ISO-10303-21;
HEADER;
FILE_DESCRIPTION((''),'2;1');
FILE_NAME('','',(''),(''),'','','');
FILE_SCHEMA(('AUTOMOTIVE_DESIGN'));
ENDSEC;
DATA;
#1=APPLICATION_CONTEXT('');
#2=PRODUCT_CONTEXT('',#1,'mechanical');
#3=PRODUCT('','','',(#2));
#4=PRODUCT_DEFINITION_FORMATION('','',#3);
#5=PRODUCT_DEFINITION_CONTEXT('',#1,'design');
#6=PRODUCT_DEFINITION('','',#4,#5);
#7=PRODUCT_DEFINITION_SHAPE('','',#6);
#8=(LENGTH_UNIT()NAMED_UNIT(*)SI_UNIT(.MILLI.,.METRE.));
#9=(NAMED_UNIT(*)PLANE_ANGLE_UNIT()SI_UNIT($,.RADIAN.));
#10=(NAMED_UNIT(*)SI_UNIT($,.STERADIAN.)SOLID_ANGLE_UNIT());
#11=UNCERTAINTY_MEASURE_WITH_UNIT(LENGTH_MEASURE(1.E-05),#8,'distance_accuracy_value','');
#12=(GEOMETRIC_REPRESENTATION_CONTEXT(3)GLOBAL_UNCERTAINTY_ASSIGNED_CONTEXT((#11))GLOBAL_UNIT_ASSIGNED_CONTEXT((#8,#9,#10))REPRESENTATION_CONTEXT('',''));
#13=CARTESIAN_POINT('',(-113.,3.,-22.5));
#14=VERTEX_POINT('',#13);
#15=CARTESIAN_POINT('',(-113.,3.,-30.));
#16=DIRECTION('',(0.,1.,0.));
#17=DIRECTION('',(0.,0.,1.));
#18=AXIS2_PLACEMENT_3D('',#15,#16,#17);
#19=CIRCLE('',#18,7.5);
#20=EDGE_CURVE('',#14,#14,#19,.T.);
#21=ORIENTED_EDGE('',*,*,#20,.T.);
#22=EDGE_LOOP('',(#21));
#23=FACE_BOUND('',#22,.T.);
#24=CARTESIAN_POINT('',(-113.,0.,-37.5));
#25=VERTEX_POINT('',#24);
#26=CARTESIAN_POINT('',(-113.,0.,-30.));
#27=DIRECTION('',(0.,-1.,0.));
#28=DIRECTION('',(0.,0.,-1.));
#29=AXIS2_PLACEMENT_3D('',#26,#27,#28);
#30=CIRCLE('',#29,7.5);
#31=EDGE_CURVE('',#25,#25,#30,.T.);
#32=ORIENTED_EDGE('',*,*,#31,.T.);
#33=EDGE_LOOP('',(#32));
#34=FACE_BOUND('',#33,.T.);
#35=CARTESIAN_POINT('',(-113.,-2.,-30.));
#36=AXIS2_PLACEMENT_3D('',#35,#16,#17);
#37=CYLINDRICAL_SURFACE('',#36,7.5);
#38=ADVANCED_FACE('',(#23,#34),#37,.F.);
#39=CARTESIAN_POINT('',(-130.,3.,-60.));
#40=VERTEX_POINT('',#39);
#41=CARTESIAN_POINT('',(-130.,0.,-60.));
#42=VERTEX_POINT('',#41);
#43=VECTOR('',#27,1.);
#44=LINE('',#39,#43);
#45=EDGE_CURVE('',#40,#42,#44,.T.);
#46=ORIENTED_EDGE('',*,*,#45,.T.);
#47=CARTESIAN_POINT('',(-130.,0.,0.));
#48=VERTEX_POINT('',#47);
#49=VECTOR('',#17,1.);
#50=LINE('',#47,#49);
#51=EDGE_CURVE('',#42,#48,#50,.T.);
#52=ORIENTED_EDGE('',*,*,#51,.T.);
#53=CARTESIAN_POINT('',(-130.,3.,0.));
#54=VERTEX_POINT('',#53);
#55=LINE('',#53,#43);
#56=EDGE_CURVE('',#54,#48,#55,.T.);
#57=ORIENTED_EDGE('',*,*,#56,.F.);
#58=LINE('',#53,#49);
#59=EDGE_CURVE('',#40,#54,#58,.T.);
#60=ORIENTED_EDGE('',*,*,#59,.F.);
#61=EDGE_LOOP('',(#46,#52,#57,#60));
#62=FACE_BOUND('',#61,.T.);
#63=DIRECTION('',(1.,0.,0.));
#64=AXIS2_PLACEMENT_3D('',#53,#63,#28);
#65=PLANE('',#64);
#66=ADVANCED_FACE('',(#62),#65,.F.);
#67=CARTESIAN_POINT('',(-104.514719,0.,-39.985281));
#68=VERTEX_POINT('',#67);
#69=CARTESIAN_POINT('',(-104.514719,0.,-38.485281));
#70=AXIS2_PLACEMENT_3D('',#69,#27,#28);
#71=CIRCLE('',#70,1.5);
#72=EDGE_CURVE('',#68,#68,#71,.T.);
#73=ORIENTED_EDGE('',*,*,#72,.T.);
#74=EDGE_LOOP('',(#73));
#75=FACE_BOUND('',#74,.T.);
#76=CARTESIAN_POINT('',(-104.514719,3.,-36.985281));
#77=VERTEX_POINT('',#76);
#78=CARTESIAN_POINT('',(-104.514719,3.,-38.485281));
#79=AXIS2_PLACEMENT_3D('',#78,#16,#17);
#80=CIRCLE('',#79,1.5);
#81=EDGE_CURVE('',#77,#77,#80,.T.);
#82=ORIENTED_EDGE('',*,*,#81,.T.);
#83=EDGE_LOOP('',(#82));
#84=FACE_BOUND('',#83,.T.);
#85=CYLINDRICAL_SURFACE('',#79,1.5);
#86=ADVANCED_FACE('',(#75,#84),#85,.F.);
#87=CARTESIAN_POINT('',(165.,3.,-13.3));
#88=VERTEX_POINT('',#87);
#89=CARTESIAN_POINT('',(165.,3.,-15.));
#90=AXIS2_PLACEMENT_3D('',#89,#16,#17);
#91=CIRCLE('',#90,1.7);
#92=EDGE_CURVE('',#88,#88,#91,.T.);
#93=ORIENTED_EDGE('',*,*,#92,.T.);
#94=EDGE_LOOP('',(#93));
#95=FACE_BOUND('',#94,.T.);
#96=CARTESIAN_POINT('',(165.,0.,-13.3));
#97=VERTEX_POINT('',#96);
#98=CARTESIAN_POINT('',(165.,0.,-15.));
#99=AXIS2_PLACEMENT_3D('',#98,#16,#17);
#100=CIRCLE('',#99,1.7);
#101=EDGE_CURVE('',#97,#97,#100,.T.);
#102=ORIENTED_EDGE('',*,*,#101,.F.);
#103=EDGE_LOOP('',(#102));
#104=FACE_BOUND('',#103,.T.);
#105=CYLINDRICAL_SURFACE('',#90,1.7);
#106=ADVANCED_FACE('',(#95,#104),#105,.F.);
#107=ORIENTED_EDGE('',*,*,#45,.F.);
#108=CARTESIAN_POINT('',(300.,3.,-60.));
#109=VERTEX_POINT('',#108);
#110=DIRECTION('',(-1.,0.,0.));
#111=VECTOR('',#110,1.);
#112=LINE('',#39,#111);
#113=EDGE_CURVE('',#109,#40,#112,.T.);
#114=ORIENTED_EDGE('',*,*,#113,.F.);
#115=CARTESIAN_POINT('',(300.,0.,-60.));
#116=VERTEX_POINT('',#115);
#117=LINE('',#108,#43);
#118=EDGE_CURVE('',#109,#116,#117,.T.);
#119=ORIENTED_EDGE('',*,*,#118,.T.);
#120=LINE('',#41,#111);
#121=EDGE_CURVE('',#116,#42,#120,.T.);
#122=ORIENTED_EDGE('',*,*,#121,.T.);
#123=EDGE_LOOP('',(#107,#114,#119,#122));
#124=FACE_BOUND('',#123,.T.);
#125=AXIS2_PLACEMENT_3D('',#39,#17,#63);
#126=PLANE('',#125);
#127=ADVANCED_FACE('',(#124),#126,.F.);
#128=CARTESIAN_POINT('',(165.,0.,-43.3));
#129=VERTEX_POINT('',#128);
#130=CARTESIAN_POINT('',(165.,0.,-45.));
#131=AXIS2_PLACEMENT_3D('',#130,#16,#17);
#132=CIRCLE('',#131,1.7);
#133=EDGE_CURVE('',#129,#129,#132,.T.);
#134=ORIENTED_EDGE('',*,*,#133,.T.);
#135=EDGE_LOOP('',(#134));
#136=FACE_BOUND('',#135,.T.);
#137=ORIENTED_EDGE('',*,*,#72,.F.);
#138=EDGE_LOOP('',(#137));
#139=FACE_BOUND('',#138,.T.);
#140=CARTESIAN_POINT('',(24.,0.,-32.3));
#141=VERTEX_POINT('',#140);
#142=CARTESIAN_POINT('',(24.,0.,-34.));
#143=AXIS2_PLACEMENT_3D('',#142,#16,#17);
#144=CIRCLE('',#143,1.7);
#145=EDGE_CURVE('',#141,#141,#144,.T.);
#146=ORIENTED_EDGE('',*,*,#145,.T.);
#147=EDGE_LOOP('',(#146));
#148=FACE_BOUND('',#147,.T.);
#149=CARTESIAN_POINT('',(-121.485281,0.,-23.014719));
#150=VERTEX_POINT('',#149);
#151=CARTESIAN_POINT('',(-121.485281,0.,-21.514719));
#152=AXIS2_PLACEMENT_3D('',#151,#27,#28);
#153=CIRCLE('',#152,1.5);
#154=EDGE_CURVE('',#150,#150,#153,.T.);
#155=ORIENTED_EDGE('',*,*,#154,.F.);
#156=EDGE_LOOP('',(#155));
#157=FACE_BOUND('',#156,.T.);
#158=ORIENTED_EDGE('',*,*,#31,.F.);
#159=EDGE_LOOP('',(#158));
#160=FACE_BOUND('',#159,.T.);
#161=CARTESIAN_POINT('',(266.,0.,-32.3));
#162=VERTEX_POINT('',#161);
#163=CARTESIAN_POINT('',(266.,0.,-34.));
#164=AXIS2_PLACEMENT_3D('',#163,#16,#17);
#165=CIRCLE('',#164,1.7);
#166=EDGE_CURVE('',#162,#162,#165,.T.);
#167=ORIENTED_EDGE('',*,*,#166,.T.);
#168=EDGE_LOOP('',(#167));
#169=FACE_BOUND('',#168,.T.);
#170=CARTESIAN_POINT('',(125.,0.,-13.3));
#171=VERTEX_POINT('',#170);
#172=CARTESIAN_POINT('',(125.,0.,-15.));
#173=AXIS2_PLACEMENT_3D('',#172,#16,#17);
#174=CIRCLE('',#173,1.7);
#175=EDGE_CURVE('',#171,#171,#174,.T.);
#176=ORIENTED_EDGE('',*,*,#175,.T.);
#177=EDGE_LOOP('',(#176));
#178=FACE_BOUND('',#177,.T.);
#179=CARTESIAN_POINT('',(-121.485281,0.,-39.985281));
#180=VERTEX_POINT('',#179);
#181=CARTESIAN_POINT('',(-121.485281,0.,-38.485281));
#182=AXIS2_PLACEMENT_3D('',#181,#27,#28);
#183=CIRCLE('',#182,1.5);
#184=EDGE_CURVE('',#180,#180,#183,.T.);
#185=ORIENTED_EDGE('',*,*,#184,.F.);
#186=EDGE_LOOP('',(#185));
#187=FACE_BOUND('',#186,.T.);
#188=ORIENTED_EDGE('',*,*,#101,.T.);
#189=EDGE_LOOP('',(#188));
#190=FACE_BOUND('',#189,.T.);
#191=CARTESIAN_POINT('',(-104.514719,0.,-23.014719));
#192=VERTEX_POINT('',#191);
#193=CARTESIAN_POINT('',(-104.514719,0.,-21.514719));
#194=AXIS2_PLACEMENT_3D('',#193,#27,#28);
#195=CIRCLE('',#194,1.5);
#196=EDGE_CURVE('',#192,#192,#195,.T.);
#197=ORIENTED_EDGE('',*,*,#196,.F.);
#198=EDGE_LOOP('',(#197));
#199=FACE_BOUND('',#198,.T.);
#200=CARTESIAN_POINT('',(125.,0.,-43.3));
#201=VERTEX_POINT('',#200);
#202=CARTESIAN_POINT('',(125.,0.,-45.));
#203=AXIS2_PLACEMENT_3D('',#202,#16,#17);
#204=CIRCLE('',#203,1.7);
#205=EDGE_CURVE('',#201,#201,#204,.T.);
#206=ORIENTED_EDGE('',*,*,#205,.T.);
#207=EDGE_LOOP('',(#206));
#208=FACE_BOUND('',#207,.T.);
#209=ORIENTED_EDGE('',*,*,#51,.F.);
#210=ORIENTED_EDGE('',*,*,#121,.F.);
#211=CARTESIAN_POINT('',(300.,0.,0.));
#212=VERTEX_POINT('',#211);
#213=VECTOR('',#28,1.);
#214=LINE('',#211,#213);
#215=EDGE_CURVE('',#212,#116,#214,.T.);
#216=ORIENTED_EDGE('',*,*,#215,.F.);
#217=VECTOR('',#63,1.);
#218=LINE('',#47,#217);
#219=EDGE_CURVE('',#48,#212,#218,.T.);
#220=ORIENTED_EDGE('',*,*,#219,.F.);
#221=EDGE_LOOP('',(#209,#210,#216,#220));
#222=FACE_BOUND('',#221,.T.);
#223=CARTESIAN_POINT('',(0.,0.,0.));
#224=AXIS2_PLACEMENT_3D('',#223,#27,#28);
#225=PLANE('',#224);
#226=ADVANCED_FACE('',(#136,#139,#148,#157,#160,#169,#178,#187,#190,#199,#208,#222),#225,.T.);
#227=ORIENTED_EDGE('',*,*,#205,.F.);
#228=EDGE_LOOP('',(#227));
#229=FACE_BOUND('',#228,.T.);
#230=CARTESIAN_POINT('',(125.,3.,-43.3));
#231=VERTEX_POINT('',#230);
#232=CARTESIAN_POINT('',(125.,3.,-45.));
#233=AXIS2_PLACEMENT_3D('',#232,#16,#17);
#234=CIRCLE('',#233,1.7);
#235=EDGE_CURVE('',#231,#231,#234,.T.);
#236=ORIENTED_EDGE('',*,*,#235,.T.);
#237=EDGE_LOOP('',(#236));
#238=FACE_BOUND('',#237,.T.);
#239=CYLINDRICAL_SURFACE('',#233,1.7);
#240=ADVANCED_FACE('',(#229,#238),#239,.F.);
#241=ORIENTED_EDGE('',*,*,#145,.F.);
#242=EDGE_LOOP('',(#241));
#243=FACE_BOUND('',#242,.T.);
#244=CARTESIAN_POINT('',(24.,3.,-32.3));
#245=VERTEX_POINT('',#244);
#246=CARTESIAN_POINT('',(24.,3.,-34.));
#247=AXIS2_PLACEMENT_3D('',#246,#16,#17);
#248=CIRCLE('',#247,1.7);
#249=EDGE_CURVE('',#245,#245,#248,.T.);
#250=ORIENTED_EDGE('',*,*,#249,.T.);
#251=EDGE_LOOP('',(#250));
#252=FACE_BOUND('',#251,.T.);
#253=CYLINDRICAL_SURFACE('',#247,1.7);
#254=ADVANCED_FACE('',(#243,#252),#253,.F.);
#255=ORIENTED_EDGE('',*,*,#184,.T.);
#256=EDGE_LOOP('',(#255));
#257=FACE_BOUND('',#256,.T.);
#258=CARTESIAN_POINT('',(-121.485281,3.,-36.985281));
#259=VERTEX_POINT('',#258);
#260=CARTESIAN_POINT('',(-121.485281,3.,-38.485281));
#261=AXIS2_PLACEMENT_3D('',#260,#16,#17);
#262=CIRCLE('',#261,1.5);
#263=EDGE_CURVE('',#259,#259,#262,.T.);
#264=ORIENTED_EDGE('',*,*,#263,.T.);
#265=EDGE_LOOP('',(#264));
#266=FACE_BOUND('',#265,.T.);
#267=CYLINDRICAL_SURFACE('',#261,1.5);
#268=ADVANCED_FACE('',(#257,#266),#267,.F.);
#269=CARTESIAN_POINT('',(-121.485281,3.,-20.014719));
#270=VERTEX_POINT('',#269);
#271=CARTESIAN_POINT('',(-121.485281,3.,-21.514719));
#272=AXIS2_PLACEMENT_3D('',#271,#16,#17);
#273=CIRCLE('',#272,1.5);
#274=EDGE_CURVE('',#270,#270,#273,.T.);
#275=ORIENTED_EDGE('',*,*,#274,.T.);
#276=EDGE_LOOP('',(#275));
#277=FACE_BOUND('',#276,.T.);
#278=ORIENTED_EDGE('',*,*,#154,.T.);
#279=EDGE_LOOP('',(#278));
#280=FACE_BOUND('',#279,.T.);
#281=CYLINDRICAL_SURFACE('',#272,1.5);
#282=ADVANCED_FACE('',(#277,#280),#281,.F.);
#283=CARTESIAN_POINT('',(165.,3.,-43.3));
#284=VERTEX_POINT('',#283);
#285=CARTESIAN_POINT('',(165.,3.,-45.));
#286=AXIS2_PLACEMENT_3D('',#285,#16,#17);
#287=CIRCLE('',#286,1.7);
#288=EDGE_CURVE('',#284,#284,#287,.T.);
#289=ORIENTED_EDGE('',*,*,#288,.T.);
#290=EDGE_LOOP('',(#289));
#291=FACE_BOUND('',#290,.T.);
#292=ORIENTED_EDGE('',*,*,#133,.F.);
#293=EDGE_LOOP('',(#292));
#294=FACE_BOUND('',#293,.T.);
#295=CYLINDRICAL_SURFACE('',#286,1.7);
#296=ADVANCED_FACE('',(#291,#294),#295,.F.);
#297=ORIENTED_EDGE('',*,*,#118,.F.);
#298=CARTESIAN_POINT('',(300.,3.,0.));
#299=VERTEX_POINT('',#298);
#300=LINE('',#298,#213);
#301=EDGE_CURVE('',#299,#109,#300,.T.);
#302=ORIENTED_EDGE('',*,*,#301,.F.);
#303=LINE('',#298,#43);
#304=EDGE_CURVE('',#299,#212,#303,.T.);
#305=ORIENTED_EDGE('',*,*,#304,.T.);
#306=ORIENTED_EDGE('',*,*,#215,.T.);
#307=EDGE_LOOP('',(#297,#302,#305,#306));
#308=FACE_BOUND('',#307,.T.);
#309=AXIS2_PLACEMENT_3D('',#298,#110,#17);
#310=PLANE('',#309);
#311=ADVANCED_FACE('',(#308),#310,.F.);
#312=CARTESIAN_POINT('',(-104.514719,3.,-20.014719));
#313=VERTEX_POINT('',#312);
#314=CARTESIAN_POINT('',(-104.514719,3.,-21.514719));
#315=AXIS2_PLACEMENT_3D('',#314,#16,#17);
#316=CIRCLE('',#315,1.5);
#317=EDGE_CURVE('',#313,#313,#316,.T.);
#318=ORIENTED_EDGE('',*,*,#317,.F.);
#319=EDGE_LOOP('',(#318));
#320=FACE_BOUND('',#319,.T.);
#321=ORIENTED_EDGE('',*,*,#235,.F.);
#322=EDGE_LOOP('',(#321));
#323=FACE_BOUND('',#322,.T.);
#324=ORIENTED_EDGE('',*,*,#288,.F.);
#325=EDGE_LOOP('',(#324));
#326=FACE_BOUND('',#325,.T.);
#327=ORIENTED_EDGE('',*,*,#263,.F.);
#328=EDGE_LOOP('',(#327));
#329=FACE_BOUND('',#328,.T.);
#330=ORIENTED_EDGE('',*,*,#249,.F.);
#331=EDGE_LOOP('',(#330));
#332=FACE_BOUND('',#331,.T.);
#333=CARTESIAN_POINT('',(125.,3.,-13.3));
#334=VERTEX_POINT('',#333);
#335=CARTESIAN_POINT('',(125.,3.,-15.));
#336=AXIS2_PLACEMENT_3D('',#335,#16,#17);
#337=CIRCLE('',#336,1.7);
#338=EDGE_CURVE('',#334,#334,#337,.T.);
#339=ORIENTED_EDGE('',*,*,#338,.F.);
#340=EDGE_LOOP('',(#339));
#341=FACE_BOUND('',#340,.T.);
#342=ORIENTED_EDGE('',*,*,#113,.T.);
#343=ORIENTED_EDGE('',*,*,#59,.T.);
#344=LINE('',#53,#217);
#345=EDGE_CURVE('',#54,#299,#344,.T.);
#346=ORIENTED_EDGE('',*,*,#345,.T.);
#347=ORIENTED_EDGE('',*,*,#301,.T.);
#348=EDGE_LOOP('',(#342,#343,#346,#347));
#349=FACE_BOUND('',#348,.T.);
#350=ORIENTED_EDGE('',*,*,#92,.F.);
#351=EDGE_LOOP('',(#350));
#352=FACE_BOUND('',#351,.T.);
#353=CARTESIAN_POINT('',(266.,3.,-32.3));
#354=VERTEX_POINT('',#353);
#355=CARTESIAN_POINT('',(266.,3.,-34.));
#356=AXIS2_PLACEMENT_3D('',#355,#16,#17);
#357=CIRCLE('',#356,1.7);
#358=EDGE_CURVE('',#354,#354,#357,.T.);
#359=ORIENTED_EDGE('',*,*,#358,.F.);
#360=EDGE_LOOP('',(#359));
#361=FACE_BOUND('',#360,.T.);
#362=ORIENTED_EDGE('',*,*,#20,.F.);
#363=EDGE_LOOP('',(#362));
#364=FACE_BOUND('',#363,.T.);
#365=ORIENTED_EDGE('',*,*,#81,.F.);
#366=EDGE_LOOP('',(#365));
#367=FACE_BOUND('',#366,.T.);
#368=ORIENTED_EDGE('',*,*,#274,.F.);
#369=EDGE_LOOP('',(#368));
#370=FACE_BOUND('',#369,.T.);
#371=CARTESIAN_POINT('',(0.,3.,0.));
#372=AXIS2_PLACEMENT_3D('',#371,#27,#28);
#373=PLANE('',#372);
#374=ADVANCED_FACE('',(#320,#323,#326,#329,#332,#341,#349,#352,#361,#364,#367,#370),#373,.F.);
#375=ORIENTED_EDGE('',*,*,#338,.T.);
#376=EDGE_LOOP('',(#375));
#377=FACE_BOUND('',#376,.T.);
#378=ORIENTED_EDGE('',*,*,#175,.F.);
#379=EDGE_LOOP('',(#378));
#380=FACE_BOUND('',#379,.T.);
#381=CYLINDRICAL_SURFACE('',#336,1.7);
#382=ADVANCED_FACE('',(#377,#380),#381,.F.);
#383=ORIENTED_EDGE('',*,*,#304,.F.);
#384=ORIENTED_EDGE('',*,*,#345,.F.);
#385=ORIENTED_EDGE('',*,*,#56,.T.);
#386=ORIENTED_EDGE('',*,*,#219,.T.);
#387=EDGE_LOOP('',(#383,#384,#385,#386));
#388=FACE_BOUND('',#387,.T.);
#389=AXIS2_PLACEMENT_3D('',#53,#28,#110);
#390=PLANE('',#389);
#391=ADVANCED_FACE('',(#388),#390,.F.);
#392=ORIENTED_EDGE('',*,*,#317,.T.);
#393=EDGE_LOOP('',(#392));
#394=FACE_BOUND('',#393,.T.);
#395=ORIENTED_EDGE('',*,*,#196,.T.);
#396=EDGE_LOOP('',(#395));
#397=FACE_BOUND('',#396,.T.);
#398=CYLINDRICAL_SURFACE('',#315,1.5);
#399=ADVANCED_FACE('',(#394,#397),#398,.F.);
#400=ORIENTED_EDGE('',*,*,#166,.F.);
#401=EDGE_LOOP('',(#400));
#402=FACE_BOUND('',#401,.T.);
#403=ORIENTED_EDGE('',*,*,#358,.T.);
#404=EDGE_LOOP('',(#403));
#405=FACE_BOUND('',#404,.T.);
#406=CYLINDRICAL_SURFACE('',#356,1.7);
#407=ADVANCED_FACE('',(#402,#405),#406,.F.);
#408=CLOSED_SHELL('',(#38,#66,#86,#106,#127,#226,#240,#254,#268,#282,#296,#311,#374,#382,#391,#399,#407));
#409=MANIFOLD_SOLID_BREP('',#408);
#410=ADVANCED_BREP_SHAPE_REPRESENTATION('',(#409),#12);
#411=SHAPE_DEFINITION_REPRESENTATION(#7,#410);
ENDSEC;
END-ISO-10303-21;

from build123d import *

# Parameters (mm, degrees)
SKETCH1_W                 = 430
SKETCH1_H                 = 60
BOSS_EXTRUDE1_DEPTH       = 3
OTW_R_POD_RUB_M31_D       = 3.4
SKETCH4_R                 = 7.5
CUT_EXTRUDE1_DEPTH        = 5
F_3_0MM_DOWEL_HOLE1_D     = 3
F_3_0MM_DOWEL_HOLE1_DEPTH = 6
F_3_0MM_DOWEL_HOLE1_TIP   = 0.901290929


with BuildPart() as part:
    # Sketch1 → Boss-Extrude1 (new body)
    with BuildSketch(Plane(origin=(0, 0, 0), x_dir=(1, 0, 0), z_dir=(0, 1, 0))):
        with Locations((85, 30)):
            Rectangle(SKETCH1_W, SKETCH1_H)
    extrude(amount=BOSS_EXTRUDE1_DEPTH)

    # Otwór pod śrubę M31 (through all)
    with Locations(Plane(origin=(0, 3, 0), x_dir=(1, 0, 0), z_dir=(0, 1, 0))):
        with Locations((266, 34), (24, 34), (125, 15), (165, 15), (165, 45), (125, 45)):
            Hole(OTW_R_POD_RUB_M31_D / 2)

    # Sketch4 → Cut-Extrude1 (cut)
    with BuildSketch(Plane(origin=(0, 3, 0), x_dir=(1, 0, 0), z_dir=(0, 1, 0))):
        with Locations(Location((-113, 30, 0), (0, 0, 270))):
            Circle(SKETCH4_R)
    extrude(amount=-CUT_EXTRUDE1_DEPTH, mode=Mode.SUBTRACT)

    # Ø3.0mm Dowel Hole1
    with Locations(Plane(origin=(0, 3, 0), x_dir=(1, 0, 0), z_dir=(0, 1, 0))):
        with Locations((-104.514718626, 21.514718626), (-104.514718626, 38.485281374), (-121.485281374, 21.514718626), (-121.485281374, 38.485281374)):
            Hole(F_3_0MM_DOWEL_HOLE1_D / 2, depth=F_3_0MM_DOWEL_HOLE1_DEPTH)
            with Locations((0, 0, -(F_3_0MM_DOWEL_HOLE1_DEPTH + F_3_0MM_DOWEL_HOLE1_TIP / 2))):  # 118° drill point
                Cone(0, F_3_0MM_DOWEL_HOLE1_D / 2, F_3_0MM_DOWEL_HOLE1_TIP, mode=Mode.SUBTRACT)


solid = part.part
